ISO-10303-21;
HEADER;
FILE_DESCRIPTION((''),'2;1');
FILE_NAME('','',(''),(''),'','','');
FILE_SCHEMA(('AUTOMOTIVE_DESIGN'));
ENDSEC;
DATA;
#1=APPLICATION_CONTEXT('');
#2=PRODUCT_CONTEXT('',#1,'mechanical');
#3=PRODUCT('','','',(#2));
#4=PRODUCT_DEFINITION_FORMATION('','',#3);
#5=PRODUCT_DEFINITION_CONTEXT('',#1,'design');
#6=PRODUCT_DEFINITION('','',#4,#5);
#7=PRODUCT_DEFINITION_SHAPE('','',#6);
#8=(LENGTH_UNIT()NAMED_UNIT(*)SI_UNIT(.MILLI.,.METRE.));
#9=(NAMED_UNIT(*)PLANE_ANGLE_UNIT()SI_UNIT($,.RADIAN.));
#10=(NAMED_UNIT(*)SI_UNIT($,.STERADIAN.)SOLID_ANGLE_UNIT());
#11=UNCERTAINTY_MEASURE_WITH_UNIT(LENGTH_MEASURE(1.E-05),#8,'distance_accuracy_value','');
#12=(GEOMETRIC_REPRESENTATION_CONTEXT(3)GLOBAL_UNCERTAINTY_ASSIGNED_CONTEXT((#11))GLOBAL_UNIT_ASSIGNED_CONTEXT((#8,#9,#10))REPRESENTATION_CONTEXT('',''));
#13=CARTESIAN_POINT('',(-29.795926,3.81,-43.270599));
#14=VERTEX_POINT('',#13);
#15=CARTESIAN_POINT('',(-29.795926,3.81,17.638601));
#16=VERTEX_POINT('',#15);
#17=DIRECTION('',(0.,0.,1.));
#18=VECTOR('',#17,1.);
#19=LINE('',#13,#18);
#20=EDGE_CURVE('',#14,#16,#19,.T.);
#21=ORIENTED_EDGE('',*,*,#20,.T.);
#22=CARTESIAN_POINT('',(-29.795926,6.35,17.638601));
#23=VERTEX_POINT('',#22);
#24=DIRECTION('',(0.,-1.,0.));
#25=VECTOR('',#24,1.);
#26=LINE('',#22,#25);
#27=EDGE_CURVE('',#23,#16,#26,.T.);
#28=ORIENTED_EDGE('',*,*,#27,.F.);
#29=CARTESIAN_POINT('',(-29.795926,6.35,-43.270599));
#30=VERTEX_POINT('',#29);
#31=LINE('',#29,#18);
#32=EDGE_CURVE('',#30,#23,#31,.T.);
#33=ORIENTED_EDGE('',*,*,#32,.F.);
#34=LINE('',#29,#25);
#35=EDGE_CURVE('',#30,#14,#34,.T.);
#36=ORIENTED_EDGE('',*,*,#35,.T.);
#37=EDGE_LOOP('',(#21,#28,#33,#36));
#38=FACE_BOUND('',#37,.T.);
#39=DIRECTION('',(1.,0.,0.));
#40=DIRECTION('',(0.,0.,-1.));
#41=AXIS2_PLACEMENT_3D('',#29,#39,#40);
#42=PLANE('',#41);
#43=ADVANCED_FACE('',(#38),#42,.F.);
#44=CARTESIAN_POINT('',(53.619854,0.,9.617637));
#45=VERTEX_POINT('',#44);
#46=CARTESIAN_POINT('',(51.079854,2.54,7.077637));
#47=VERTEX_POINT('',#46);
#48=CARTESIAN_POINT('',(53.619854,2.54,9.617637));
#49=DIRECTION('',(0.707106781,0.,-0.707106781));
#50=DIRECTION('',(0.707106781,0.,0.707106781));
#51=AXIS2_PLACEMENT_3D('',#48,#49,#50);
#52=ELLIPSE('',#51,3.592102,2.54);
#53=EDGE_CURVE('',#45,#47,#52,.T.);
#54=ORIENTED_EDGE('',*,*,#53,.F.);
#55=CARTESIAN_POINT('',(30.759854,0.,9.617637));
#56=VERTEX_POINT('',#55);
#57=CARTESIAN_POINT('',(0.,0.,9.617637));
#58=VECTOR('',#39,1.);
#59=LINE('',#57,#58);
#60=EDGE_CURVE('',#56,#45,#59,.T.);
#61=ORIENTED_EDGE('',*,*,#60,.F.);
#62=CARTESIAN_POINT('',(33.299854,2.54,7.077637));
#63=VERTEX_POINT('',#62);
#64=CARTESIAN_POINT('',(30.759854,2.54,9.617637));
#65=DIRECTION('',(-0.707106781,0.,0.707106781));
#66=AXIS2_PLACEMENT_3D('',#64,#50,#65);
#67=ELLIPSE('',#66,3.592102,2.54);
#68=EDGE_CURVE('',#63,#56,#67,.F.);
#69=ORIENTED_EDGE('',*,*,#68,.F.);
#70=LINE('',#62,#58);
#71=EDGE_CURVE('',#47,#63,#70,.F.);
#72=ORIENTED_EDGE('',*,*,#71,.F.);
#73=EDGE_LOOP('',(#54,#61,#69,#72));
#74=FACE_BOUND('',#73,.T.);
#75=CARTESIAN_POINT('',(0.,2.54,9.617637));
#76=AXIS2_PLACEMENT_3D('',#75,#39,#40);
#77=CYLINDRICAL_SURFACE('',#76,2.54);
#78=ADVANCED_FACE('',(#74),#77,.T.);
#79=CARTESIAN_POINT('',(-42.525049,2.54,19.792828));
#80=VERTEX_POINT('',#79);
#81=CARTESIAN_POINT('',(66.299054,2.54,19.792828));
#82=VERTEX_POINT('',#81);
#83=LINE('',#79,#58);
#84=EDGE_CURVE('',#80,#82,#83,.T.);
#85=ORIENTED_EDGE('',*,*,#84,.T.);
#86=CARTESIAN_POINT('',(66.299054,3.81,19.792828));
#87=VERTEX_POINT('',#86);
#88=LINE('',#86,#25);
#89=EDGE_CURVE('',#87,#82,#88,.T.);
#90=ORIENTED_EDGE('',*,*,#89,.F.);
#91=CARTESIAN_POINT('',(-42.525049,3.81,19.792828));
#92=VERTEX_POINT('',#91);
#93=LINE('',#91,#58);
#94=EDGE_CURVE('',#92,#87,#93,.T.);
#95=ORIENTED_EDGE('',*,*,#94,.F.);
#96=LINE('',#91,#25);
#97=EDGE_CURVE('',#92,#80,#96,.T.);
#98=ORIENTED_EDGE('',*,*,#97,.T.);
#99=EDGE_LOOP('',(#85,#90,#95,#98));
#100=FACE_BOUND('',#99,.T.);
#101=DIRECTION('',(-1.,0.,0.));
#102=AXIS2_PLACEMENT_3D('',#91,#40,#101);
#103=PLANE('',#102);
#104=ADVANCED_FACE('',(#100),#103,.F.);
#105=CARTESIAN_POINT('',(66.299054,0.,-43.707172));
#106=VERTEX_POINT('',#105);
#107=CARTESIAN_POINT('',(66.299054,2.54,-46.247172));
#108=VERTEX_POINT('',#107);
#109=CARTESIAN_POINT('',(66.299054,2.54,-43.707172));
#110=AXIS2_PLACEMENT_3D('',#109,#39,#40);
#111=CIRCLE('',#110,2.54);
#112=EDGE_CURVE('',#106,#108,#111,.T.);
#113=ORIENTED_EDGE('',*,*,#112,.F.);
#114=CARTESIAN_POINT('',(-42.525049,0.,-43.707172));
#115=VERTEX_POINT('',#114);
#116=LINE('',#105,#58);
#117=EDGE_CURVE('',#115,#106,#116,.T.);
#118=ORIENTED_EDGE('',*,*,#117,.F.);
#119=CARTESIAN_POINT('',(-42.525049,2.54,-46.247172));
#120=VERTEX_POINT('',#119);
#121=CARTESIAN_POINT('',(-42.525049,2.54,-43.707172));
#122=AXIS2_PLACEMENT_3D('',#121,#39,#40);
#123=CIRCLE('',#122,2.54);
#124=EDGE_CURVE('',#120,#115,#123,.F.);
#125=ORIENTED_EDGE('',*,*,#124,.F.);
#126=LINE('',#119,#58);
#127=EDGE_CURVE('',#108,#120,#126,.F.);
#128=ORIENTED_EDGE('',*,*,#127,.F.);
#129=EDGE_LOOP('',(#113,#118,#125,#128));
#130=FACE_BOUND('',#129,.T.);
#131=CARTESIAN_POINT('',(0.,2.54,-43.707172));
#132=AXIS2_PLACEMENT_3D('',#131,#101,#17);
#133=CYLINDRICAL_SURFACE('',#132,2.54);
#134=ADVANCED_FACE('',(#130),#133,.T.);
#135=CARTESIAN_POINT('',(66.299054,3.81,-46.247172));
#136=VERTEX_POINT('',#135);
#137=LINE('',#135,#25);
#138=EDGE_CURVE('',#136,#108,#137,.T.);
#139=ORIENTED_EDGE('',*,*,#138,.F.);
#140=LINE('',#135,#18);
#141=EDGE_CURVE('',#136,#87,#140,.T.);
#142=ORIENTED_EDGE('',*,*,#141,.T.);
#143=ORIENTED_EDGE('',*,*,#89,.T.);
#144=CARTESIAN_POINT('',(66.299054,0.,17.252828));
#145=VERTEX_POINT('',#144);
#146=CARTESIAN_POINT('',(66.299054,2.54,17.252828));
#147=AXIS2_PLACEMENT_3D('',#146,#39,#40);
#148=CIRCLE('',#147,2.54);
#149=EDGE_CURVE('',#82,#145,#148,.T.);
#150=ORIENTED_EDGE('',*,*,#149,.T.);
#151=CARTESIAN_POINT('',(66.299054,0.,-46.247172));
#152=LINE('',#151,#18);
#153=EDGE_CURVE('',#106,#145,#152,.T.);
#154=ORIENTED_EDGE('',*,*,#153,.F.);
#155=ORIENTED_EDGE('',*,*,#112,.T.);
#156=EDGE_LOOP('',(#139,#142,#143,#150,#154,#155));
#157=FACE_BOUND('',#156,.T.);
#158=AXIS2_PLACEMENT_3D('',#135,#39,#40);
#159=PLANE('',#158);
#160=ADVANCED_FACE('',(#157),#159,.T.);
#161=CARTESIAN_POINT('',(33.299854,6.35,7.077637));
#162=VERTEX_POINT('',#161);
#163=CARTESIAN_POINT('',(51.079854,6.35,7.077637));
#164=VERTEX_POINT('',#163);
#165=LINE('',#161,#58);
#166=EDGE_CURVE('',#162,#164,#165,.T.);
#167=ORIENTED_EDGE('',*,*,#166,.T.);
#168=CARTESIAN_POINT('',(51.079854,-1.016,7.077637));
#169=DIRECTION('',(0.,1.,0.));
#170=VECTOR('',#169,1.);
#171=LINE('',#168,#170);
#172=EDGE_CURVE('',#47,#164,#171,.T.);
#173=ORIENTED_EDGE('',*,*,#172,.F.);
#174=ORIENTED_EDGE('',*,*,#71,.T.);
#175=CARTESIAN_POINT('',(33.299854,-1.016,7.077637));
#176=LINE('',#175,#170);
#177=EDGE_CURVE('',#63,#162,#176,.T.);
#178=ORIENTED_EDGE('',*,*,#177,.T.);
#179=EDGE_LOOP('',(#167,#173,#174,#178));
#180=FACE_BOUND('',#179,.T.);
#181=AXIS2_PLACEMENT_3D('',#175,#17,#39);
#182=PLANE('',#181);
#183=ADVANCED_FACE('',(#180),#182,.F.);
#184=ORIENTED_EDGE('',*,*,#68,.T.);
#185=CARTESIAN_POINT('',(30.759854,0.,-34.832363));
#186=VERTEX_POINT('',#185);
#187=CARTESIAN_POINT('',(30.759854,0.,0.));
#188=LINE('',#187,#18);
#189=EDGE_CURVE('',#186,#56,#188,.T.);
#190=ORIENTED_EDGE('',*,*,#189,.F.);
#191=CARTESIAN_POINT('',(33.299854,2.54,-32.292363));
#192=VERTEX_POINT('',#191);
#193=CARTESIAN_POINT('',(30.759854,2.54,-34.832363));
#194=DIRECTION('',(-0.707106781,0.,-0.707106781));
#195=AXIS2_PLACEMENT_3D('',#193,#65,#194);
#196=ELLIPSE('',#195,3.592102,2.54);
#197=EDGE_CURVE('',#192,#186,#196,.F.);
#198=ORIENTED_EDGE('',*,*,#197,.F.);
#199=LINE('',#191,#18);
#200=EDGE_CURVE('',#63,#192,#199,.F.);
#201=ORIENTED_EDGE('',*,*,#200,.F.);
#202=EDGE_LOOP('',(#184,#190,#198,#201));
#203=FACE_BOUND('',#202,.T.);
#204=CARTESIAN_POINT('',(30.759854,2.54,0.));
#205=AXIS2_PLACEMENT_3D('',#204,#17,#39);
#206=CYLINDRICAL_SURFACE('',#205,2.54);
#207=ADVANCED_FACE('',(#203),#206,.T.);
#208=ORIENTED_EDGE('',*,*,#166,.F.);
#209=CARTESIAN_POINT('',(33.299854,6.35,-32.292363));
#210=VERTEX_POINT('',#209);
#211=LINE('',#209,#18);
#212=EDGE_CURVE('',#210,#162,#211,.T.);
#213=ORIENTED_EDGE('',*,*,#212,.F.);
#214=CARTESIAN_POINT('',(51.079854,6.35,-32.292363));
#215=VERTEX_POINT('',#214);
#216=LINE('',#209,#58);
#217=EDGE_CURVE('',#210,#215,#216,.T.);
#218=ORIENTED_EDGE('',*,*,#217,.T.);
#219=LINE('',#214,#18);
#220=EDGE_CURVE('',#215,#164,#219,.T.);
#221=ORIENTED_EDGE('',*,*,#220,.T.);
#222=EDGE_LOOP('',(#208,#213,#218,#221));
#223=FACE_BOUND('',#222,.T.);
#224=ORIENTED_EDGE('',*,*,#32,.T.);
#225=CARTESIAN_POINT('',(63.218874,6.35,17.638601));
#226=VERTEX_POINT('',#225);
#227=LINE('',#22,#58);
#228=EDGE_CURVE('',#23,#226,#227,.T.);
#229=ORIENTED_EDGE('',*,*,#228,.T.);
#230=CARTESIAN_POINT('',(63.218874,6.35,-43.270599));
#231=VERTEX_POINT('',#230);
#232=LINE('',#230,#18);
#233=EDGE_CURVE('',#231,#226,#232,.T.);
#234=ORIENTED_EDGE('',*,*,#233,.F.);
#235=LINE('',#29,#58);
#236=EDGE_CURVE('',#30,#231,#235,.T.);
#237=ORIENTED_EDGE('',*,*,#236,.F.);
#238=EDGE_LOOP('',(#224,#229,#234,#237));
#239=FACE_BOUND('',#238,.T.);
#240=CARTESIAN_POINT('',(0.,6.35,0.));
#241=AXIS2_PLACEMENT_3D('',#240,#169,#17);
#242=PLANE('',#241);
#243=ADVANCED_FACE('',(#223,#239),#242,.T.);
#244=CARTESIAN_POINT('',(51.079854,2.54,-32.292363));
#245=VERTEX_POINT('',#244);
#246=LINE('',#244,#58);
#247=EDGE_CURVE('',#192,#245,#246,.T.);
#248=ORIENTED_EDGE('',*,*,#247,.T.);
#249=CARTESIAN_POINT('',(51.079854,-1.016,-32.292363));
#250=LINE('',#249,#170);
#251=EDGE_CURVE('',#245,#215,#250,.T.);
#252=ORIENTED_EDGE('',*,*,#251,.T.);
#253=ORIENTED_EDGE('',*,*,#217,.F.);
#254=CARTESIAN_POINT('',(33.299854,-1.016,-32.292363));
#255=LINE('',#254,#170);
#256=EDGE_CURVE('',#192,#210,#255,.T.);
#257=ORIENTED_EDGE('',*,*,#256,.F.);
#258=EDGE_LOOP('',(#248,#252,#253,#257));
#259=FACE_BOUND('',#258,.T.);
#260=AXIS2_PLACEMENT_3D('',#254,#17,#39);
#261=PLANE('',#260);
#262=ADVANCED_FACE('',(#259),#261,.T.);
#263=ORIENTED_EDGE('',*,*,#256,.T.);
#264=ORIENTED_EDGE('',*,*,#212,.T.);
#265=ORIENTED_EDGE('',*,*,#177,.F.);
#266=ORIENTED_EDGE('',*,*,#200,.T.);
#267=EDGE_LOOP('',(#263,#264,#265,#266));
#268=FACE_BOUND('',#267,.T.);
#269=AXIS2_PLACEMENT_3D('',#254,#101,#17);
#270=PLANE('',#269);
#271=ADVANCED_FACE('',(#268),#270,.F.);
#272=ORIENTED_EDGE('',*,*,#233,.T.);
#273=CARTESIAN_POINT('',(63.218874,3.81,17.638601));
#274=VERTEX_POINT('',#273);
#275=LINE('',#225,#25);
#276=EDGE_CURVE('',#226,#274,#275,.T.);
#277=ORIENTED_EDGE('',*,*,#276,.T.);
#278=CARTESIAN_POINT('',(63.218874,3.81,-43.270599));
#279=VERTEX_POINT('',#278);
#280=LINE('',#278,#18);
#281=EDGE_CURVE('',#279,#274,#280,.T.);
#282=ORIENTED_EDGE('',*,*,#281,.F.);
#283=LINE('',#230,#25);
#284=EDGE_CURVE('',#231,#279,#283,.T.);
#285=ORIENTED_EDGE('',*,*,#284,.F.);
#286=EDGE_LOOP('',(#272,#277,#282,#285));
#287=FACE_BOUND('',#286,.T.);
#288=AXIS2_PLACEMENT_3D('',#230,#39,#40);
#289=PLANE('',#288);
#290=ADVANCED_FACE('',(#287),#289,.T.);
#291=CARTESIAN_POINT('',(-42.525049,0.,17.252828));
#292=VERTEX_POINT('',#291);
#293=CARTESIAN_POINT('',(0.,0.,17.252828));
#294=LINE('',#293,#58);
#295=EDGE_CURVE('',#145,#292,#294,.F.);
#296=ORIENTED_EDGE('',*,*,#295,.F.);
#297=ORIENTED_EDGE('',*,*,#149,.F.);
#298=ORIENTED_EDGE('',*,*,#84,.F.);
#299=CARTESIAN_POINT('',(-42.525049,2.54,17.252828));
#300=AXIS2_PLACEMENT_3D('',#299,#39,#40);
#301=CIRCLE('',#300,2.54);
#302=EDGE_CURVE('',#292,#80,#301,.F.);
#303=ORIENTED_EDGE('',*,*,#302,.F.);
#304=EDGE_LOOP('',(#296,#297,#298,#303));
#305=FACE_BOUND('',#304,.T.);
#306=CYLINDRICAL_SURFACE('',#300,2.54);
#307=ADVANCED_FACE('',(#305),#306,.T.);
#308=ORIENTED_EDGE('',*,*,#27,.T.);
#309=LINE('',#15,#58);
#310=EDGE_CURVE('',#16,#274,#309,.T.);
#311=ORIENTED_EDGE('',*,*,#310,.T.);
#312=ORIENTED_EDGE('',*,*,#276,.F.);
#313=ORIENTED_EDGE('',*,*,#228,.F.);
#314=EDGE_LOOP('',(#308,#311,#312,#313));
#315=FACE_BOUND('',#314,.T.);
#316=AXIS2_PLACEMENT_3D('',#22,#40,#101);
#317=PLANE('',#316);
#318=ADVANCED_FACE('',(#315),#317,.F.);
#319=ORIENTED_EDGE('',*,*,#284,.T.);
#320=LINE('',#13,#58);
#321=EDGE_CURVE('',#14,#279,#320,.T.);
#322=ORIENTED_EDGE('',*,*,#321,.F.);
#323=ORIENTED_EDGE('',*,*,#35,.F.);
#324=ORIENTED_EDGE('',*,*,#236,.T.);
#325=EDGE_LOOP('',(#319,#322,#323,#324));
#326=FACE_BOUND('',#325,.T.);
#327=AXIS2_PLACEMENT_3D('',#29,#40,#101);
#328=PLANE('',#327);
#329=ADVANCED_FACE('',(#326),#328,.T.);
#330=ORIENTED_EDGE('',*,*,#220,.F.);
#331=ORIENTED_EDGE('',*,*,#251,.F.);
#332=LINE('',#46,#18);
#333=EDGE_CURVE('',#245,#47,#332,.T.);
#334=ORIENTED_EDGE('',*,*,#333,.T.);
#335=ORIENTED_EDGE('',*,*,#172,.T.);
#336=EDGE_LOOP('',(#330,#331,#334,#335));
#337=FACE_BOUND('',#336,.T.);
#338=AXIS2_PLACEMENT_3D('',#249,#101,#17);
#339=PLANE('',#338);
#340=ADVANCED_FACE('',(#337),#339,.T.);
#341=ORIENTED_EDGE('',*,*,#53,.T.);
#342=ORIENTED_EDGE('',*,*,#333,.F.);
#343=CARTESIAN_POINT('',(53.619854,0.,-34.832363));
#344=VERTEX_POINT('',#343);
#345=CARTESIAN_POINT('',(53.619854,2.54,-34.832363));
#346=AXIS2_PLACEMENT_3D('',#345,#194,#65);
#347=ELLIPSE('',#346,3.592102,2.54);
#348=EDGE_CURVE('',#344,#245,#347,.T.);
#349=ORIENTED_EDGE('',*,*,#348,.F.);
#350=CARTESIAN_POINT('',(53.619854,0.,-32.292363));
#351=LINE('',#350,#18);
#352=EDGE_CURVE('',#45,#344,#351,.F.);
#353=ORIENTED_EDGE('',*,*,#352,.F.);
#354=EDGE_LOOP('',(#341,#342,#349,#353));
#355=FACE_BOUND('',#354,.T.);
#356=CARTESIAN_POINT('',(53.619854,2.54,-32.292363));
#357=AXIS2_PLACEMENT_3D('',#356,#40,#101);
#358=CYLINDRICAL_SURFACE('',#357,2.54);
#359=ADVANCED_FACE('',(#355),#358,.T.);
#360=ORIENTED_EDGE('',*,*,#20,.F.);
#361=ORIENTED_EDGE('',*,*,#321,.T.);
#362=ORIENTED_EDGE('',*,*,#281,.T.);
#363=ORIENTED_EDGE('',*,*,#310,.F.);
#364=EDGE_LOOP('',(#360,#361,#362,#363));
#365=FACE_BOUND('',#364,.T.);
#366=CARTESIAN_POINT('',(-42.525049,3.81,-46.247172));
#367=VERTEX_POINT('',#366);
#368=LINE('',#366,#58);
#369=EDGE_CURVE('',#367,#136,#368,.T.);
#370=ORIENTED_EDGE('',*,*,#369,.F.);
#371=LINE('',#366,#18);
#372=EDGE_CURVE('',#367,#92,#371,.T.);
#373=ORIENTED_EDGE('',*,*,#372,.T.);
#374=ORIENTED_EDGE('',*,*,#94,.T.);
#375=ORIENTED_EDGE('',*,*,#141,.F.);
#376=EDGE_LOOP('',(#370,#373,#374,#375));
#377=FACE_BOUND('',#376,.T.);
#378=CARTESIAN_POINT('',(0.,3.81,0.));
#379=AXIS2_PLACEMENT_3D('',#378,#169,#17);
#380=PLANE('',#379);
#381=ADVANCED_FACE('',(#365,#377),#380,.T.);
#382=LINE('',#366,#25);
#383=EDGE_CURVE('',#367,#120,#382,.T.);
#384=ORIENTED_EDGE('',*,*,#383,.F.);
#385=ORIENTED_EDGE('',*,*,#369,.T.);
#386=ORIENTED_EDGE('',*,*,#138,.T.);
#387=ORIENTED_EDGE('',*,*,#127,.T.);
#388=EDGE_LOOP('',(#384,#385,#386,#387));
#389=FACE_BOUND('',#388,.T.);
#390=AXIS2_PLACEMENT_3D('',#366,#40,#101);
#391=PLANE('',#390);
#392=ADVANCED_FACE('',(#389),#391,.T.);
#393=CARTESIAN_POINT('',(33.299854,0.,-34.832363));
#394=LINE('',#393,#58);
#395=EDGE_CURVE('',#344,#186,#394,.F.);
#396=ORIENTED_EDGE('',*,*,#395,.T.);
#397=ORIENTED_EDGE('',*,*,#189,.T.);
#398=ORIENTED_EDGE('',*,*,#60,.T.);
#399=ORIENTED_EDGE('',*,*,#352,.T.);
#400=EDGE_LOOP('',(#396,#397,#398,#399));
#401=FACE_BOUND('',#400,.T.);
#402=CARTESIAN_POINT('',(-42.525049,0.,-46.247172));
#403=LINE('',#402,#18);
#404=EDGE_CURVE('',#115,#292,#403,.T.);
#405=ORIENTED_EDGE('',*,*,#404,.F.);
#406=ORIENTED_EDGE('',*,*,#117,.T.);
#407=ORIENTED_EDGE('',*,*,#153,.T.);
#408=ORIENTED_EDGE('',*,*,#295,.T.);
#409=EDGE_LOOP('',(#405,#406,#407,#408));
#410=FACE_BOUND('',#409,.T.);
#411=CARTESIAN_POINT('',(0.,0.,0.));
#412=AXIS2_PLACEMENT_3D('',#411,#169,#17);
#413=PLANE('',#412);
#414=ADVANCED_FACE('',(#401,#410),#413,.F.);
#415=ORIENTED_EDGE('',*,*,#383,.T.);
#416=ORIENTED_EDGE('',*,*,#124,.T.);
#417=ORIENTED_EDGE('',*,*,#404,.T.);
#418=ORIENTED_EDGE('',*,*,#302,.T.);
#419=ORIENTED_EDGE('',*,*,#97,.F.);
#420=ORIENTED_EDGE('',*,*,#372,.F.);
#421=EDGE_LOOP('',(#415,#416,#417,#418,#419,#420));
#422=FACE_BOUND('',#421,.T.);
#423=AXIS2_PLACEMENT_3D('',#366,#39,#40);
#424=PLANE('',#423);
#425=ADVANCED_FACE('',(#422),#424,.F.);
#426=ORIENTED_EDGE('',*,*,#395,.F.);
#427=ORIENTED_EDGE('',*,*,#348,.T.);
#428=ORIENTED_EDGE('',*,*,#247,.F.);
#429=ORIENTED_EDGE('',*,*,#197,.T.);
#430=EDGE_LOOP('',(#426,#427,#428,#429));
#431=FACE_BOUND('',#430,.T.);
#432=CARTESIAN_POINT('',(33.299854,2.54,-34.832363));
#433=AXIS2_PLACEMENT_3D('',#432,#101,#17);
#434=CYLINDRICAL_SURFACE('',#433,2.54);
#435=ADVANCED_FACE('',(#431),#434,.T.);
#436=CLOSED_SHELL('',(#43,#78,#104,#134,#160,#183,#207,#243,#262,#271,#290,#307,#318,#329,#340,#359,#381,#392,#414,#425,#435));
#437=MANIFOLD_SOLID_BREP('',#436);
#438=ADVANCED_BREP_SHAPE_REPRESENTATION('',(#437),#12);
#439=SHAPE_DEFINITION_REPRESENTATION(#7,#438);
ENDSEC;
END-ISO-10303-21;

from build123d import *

# Parameters (mm, degrees)
SKETCH1_W           = 108.824103019
SKETCH1_H           = 66.04
BOSS_EXTRUDE1_DEPTH = 3.81
SKETCH5_W           = 93.0148
SKETCH5_H           = 60.9092
BOSS_EXTRUDE2_DEPTH = 2.54
FILLET1_R           = 2.54
SKETCH6_W           = 17.78
SKETCH6_H           = 39.37
CUT_EXTRUDE1_DEPTH  = 7.366
FILLET2_R           = 2.54


with BuildPart() as part:
    # Sketch1 → Boss-Extrude1 (new body)
    with BuildSketch(Plane(origin=(0, 0, 0), x_dir=(1, 0, 0), z_dir=(0, 1, 0))):
        with Locations((11.887002401, 13.227171797)):
            Rectangle(SKETCH1_W, SKETCH1_H)
    extrude(amount=BOSS_EXTRUDE1_DEPTH)

    # Sketch5 → Boss-Extrude2 (add)
    with BuildSketch(Plane(origin=(0, 3.81, 0), x_dir=(1, 0, 0), z_dir=(0, 1, 0))):
        with Locations((16.711473858, 12.815998883)):
            Rectangle(SKETCH5_W, SKETCH5_H)
    extrude(amount=BOSS_EXTRUDE2_DEPTH)

    # Fillet1
    fillet1_edges = [part.edges().sort_by_distance(p)[0] for p in [
        (11.887002402, 0, -46.247171797),
        (11.887002402, 0, 19.792828203),
    ]]
    fillet(fillet1_edges, radius=FILLET1_R)

    # Sketch6 → Cut-Extrude1 (cut)
    with BuildSketch(Plane(origin=(0, 6.35, 0), x_dir=(1, 0, 0), z_dir=(0, 1, 0))):
        with Locations((42.189853997, 12.607362778)):
            Rectangle(SKETCH6_W, SKETCH6_H)
    extrude(amount=-CUT_EXTRUDE1_DEPTH, mode=Mode.SUBTRACT)

    # Fillet2
    fillet2_edges = [part.edges().sort_by_distance(p)[0] for p in [
        (42.189853997, 0, 7.077637222),
        (33.299853997, 0, -12.607362778),
        (42.189853997, 0, -32.292362778),
        (51.079853997, 0, -12.607362778),
    ]]
    fillet(fillet2_edges, radius=FILLET2_R)


solid = part.part
